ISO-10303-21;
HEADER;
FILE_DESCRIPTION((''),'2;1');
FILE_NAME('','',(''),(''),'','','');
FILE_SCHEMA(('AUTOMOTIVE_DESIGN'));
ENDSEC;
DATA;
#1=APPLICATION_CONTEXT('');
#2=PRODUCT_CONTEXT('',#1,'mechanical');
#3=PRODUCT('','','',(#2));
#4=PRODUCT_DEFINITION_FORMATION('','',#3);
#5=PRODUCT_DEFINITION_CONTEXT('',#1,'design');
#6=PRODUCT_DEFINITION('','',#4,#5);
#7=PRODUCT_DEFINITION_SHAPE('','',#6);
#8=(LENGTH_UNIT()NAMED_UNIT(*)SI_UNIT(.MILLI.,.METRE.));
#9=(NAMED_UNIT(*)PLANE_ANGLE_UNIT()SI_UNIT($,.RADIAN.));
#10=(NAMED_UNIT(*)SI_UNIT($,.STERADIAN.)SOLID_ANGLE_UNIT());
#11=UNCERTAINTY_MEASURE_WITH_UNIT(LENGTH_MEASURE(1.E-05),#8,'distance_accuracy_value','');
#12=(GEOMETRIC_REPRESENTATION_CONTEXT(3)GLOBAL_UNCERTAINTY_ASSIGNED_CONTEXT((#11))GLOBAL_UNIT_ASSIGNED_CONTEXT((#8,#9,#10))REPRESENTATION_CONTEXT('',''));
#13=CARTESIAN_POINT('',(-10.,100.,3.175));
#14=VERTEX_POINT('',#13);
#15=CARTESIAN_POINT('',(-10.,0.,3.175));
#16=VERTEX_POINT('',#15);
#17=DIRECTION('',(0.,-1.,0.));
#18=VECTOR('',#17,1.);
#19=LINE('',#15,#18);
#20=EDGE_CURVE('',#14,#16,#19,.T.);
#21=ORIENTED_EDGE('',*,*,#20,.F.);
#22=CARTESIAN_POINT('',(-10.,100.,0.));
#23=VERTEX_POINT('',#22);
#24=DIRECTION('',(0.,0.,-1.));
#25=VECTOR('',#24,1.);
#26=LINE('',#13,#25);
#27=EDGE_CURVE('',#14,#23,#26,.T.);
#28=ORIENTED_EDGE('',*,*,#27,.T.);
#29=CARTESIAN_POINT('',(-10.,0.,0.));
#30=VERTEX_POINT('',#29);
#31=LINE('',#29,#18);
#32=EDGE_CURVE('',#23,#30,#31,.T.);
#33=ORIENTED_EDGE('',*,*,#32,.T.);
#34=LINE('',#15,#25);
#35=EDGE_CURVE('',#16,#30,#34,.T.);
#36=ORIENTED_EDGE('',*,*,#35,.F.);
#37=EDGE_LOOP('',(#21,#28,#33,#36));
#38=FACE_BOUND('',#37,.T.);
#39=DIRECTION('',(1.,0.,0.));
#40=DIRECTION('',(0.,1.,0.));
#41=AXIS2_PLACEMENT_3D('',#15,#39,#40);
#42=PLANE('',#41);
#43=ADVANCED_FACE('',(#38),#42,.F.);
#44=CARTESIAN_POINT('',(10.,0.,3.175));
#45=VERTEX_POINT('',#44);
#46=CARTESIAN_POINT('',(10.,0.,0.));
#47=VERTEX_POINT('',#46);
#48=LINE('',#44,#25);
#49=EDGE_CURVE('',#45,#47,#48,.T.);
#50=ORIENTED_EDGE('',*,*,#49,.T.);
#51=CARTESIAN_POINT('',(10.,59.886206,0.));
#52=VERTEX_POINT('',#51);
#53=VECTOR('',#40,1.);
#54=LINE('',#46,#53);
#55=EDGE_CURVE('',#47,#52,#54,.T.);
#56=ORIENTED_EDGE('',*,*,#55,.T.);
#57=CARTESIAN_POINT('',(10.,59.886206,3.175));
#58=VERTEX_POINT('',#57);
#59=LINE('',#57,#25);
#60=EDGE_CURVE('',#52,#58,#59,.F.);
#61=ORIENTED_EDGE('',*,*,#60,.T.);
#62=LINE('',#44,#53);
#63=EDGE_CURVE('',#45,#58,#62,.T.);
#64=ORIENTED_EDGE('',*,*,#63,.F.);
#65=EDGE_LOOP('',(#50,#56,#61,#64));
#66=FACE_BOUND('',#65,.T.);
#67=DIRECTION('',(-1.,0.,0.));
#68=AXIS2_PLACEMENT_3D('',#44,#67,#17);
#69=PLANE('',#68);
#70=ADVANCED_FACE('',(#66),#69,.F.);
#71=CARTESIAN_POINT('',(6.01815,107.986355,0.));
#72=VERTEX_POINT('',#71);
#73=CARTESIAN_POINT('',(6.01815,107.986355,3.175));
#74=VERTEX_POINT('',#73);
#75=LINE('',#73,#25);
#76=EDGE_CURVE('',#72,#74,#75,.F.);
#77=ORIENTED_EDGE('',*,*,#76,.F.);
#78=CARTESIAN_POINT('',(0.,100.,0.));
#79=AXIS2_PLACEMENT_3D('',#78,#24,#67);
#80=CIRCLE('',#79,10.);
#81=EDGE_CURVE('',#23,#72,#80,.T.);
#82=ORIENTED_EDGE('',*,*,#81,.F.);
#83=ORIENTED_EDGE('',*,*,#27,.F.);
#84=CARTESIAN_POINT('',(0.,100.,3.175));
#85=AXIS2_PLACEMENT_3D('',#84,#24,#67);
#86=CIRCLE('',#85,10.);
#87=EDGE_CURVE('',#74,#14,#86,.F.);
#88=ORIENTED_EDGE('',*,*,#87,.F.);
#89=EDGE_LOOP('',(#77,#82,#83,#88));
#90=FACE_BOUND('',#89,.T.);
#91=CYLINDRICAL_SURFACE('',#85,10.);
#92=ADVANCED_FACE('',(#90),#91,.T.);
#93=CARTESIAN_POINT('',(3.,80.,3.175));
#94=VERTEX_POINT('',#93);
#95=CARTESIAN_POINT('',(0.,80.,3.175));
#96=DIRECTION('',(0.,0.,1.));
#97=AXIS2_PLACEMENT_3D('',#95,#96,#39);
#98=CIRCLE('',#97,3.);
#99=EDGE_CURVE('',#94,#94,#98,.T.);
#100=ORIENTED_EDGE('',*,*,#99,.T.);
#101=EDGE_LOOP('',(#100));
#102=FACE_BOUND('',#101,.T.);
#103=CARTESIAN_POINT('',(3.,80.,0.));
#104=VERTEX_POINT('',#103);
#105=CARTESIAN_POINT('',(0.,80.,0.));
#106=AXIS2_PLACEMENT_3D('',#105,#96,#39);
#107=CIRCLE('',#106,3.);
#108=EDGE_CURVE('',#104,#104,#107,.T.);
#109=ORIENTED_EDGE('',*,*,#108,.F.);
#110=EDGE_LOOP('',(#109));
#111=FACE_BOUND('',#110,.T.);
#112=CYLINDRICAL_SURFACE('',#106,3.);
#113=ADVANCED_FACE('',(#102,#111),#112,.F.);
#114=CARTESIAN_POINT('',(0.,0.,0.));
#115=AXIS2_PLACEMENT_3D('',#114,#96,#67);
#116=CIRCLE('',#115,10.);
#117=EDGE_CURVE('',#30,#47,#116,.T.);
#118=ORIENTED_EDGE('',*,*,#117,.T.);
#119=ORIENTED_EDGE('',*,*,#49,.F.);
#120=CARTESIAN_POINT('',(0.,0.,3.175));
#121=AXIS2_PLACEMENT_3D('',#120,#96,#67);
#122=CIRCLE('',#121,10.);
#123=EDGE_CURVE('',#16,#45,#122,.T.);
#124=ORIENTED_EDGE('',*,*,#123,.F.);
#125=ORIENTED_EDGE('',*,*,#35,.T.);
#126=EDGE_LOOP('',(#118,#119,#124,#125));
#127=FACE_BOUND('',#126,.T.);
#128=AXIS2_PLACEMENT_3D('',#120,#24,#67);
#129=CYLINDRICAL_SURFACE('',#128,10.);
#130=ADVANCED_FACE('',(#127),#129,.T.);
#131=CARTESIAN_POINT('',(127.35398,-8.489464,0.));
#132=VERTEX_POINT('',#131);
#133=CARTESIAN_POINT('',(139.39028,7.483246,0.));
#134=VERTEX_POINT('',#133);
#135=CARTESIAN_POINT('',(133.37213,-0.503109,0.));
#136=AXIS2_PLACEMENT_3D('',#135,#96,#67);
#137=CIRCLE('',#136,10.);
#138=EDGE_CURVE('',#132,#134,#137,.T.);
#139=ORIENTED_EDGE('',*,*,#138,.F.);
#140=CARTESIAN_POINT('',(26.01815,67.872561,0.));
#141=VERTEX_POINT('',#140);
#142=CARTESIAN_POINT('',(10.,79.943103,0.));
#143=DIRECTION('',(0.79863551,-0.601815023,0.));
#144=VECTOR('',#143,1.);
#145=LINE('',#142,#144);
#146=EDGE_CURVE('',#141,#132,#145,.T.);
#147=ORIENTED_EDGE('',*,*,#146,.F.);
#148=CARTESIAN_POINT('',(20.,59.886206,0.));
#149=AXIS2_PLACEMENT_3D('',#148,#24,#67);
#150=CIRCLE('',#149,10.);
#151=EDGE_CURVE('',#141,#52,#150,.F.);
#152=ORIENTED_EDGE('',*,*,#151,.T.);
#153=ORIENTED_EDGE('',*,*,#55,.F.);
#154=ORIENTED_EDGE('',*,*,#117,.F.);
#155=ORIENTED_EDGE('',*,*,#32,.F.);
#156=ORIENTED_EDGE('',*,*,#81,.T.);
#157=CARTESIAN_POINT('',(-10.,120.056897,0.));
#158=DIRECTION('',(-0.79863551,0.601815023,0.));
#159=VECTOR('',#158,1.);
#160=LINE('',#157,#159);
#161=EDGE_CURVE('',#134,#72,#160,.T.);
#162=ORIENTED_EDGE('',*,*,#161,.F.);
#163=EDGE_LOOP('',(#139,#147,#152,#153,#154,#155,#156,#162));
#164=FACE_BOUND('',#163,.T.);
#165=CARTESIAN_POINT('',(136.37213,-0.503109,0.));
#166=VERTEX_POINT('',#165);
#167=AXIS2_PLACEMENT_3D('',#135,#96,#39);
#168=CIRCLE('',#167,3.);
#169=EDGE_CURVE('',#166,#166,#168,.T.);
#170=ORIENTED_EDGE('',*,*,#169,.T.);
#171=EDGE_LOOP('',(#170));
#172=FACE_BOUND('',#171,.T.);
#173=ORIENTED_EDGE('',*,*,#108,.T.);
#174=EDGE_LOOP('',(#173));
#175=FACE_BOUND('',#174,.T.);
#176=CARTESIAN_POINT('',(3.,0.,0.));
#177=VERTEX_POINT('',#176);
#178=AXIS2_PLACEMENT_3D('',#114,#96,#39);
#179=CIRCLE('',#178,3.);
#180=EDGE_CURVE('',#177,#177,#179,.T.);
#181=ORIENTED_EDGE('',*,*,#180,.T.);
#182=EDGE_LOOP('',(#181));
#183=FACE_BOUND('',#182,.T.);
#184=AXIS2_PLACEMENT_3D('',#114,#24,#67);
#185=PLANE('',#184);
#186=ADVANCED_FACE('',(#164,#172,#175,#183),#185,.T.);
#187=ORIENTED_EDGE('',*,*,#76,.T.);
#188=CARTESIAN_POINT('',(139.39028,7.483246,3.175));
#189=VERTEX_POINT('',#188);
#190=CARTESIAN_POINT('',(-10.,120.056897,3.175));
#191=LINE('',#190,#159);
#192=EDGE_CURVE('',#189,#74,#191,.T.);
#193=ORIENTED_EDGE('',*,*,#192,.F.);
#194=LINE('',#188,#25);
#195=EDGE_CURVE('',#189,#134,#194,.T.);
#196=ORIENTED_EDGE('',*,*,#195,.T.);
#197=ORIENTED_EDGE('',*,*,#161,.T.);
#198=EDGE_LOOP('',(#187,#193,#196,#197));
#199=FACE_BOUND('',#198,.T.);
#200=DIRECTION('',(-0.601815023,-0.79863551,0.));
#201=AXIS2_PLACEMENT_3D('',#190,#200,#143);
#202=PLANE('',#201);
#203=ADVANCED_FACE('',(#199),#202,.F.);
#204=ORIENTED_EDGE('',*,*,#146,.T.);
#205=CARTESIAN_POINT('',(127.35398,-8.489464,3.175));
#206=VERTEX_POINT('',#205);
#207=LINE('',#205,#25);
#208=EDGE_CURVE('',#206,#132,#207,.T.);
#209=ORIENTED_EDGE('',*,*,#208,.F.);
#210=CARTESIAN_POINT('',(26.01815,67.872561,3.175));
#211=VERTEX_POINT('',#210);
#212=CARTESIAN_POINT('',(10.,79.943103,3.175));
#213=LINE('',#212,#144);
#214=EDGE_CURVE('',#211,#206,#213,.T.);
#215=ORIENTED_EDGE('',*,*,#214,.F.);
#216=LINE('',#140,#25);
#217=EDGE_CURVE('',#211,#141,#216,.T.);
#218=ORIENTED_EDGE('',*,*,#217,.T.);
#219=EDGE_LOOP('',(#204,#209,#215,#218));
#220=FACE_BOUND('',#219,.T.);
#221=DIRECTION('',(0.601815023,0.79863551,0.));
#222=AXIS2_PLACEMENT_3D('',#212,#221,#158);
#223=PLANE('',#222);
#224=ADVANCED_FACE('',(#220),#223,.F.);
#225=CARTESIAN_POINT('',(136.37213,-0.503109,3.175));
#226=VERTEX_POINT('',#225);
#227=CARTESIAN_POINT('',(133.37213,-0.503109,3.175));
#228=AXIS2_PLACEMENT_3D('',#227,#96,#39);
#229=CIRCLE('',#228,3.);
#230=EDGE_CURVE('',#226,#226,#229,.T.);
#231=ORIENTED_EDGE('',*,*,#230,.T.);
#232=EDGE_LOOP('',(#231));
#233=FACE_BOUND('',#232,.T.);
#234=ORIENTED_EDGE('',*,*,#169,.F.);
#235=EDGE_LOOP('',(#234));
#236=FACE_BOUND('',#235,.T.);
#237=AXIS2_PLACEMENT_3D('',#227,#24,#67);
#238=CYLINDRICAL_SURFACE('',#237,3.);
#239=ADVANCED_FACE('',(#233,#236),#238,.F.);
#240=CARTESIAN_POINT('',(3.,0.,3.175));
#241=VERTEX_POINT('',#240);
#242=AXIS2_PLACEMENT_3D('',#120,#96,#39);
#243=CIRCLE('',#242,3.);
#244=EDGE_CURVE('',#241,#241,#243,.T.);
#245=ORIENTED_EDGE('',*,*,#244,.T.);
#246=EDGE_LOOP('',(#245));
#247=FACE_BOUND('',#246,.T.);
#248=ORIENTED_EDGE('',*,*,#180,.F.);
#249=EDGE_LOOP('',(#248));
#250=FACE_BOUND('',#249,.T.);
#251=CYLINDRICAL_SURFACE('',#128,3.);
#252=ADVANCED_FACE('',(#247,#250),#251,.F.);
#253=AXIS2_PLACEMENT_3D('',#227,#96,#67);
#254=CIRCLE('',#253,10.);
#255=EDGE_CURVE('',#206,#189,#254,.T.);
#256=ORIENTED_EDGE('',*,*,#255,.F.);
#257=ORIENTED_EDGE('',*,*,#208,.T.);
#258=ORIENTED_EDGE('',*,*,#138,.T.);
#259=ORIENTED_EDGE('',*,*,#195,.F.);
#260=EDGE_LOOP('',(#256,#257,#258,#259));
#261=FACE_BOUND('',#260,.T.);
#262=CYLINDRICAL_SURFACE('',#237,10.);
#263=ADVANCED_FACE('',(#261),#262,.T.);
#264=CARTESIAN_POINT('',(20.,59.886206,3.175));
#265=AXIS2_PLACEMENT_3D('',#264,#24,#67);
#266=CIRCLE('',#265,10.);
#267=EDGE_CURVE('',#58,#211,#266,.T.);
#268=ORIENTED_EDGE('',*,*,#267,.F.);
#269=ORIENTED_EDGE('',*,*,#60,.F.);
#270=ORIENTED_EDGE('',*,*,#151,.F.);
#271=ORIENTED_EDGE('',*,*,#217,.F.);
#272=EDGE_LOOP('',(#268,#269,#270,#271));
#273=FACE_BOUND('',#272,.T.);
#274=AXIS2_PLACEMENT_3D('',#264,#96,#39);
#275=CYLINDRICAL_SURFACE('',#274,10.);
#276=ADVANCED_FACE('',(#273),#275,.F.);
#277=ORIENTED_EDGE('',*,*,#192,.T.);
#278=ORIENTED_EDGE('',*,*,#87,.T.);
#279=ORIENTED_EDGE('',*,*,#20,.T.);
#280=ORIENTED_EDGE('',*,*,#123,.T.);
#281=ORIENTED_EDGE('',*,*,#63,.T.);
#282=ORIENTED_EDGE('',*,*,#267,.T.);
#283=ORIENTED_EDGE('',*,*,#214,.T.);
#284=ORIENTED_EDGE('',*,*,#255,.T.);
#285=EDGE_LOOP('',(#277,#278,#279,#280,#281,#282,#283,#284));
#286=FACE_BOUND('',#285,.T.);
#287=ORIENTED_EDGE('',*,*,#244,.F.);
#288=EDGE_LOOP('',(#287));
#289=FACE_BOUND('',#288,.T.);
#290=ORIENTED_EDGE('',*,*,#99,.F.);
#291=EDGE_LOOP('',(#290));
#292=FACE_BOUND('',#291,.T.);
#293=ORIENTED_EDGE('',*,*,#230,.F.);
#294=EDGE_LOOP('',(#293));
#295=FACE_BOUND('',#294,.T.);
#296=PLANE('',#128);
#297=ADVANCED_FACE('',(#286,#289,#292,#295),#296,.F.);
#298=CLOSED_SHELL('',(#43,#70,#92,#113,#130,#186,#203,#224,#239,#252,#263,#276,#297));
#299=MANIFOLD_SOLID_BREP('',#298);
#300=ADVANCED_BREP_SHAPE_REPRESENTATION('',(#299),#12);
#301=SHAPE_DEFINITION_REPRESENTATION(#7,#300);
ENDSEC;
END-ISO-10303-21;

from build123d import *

# Parameters (mm, degrees)
SKETCH1_R           = 3
BOSS_EXTRUDE1_DEPTH = 3.175
FILLET1_R           = 10
SKETCH2_R           = 3
CUT_EXTRUDE1_DEPTH  = 4.175


with BuildPart() as part:
    # Sketch1 → Boss-Extrude1 (new body)
    with BuildSketch(Plane.XY):
        with BuildLine():
            Line((10, 0), (10, 79.943102917))
            Line((10, 79.943102917), (127.353979946, -8.489463967))
            ThreePointArc((127.353979946, -8.489463967), (141.358485278, -6.521259098), (139.390280409, 7.483246234))
            Line((139.390280409, 7.483246234), (-10, 120.056897083))
            Line((-10, 120.056897083), (-10, 0))
            ThreePointArc((-10, 0), (0, -10), (10, 0))
        make_face()
        Circle(SKETCH1_R, mode=Mode.SUBTRACT)
        with Locations((133.372130178, -0.503108866)):
            Circle(SKETCH1_R, mode=Mode.SUBTRACT)
    extrude(amount=BOSS_EXTRUDE1_DEPTH)

    # Fillet1
    fillet1_edges = [part.edges().sort_by_distance(p)[0] for p in [
        (-10, 120.056897083, 1.5875),
        (10, 79.943102917, 1.5875),
    ]]
    fillet(fillet1_edges, radius=FILLET1_R)

    # Sketch2 → Cut-Extrude1 (cut, through all)
    with BuildSketch(Plane.XY.offset(3.175)):
        with Locations((0, 80)):
            Circle(SKETCH2_R)
    extrude(amount=-CUT_EXTRUDE1_DEPTH, mode=Mode.SUBTRACT)


solid = part.part
